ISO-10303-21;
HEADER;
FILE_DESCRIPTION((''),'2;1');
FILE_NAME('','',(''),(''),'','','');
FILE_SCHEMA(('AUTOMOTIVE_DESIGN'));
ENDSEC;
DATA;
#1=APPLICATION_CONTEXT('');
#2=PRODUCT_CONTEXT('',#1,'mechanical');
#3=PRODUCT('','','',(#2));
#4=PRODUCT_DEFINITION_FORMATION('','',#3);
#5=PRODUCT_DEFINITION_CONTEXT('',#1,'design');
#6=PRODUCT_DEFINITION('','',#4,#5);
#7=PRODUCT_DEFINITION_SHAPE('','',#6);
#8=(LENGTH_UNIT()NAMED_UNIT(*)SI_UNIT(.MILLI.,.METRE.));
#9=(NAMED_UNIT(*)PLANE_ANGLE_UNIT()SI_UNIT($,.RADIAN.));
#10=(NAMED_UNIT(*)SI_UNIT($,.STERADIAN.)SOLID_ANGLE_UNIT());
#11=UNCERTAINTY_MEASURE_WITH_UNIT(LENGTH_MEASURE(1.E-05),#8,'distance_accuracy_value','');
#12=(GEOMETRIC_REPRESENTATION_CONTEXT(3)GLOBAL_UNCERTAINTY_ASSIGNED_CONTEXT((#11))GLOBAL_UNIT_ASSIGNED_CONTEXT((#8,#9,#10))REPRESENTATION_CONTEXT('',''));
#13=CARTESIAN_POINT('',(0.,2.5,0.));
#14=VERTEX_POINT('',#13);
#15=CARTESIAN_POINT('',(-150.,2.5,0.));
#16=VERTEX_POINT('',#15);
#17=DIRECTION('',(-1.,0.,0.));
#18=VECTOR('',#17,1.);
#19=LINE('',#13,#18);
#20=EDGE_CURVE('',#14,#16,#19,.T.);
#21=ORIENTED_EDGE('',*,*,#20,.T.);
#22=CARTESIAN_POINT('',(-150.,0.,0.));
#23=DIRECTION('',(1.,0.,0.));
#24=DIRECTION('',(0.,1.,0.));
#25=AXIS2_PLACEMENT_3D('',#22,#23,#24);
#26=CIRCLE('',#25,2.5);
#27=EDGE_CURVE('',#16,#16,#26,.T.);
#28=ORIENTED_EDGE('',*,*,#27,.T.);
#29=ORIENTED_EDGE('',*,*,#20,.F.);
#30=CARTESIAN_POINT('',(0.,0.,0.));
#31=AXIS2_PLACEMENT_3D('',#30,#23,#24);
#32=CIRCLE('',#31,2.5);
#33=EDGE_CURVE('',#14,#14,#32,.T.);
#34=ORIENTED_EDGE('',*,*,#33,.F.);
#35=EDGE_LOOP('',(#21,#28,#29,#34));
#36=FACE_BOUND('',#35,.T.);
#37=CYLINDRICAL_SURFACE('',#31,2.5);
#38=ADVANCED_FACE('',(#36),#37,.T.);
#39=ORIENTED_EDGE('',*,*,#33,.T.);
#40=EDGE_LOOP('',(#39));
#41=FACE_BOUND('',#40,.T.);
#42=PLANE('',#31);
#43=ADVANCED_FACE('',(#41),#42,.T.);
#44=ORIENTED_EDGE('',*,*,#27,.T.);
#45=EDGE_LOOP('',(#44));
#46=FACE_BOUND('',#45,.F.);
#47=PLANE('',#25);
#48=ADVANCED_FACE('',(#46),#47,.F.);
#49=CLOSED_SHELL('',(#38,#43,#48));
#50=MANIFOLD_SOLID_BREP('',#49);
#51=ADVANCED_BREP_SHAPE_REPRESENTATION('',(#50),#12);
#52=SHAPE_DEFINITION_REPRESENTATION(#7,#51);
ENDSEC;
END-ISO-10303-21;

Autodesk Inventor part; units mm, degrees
ref_plane "YZ Plane" through (0, 0, 0) normal (1, 0, 0) x (0, 1, 0)
ref_plane "XZ Plane" through (0, 0, 0) normal (0, 1, 0) x (-1, 0, 0)
ref_plane "XY Plane" through (0, 0, 0) normal (0, 0, 1) x (1, 0, 0)
sketch "Sketch1" plane through (0, 0, 0) normal (1, 0, 0) x (0, 1, 0)
  circle A0 centre (0, 0) radius 2.5
  dimension "d0" = 5
extrude "Extrusion1" add sketch "Sketch1" against normal blind 150
properties part number "Screw"
